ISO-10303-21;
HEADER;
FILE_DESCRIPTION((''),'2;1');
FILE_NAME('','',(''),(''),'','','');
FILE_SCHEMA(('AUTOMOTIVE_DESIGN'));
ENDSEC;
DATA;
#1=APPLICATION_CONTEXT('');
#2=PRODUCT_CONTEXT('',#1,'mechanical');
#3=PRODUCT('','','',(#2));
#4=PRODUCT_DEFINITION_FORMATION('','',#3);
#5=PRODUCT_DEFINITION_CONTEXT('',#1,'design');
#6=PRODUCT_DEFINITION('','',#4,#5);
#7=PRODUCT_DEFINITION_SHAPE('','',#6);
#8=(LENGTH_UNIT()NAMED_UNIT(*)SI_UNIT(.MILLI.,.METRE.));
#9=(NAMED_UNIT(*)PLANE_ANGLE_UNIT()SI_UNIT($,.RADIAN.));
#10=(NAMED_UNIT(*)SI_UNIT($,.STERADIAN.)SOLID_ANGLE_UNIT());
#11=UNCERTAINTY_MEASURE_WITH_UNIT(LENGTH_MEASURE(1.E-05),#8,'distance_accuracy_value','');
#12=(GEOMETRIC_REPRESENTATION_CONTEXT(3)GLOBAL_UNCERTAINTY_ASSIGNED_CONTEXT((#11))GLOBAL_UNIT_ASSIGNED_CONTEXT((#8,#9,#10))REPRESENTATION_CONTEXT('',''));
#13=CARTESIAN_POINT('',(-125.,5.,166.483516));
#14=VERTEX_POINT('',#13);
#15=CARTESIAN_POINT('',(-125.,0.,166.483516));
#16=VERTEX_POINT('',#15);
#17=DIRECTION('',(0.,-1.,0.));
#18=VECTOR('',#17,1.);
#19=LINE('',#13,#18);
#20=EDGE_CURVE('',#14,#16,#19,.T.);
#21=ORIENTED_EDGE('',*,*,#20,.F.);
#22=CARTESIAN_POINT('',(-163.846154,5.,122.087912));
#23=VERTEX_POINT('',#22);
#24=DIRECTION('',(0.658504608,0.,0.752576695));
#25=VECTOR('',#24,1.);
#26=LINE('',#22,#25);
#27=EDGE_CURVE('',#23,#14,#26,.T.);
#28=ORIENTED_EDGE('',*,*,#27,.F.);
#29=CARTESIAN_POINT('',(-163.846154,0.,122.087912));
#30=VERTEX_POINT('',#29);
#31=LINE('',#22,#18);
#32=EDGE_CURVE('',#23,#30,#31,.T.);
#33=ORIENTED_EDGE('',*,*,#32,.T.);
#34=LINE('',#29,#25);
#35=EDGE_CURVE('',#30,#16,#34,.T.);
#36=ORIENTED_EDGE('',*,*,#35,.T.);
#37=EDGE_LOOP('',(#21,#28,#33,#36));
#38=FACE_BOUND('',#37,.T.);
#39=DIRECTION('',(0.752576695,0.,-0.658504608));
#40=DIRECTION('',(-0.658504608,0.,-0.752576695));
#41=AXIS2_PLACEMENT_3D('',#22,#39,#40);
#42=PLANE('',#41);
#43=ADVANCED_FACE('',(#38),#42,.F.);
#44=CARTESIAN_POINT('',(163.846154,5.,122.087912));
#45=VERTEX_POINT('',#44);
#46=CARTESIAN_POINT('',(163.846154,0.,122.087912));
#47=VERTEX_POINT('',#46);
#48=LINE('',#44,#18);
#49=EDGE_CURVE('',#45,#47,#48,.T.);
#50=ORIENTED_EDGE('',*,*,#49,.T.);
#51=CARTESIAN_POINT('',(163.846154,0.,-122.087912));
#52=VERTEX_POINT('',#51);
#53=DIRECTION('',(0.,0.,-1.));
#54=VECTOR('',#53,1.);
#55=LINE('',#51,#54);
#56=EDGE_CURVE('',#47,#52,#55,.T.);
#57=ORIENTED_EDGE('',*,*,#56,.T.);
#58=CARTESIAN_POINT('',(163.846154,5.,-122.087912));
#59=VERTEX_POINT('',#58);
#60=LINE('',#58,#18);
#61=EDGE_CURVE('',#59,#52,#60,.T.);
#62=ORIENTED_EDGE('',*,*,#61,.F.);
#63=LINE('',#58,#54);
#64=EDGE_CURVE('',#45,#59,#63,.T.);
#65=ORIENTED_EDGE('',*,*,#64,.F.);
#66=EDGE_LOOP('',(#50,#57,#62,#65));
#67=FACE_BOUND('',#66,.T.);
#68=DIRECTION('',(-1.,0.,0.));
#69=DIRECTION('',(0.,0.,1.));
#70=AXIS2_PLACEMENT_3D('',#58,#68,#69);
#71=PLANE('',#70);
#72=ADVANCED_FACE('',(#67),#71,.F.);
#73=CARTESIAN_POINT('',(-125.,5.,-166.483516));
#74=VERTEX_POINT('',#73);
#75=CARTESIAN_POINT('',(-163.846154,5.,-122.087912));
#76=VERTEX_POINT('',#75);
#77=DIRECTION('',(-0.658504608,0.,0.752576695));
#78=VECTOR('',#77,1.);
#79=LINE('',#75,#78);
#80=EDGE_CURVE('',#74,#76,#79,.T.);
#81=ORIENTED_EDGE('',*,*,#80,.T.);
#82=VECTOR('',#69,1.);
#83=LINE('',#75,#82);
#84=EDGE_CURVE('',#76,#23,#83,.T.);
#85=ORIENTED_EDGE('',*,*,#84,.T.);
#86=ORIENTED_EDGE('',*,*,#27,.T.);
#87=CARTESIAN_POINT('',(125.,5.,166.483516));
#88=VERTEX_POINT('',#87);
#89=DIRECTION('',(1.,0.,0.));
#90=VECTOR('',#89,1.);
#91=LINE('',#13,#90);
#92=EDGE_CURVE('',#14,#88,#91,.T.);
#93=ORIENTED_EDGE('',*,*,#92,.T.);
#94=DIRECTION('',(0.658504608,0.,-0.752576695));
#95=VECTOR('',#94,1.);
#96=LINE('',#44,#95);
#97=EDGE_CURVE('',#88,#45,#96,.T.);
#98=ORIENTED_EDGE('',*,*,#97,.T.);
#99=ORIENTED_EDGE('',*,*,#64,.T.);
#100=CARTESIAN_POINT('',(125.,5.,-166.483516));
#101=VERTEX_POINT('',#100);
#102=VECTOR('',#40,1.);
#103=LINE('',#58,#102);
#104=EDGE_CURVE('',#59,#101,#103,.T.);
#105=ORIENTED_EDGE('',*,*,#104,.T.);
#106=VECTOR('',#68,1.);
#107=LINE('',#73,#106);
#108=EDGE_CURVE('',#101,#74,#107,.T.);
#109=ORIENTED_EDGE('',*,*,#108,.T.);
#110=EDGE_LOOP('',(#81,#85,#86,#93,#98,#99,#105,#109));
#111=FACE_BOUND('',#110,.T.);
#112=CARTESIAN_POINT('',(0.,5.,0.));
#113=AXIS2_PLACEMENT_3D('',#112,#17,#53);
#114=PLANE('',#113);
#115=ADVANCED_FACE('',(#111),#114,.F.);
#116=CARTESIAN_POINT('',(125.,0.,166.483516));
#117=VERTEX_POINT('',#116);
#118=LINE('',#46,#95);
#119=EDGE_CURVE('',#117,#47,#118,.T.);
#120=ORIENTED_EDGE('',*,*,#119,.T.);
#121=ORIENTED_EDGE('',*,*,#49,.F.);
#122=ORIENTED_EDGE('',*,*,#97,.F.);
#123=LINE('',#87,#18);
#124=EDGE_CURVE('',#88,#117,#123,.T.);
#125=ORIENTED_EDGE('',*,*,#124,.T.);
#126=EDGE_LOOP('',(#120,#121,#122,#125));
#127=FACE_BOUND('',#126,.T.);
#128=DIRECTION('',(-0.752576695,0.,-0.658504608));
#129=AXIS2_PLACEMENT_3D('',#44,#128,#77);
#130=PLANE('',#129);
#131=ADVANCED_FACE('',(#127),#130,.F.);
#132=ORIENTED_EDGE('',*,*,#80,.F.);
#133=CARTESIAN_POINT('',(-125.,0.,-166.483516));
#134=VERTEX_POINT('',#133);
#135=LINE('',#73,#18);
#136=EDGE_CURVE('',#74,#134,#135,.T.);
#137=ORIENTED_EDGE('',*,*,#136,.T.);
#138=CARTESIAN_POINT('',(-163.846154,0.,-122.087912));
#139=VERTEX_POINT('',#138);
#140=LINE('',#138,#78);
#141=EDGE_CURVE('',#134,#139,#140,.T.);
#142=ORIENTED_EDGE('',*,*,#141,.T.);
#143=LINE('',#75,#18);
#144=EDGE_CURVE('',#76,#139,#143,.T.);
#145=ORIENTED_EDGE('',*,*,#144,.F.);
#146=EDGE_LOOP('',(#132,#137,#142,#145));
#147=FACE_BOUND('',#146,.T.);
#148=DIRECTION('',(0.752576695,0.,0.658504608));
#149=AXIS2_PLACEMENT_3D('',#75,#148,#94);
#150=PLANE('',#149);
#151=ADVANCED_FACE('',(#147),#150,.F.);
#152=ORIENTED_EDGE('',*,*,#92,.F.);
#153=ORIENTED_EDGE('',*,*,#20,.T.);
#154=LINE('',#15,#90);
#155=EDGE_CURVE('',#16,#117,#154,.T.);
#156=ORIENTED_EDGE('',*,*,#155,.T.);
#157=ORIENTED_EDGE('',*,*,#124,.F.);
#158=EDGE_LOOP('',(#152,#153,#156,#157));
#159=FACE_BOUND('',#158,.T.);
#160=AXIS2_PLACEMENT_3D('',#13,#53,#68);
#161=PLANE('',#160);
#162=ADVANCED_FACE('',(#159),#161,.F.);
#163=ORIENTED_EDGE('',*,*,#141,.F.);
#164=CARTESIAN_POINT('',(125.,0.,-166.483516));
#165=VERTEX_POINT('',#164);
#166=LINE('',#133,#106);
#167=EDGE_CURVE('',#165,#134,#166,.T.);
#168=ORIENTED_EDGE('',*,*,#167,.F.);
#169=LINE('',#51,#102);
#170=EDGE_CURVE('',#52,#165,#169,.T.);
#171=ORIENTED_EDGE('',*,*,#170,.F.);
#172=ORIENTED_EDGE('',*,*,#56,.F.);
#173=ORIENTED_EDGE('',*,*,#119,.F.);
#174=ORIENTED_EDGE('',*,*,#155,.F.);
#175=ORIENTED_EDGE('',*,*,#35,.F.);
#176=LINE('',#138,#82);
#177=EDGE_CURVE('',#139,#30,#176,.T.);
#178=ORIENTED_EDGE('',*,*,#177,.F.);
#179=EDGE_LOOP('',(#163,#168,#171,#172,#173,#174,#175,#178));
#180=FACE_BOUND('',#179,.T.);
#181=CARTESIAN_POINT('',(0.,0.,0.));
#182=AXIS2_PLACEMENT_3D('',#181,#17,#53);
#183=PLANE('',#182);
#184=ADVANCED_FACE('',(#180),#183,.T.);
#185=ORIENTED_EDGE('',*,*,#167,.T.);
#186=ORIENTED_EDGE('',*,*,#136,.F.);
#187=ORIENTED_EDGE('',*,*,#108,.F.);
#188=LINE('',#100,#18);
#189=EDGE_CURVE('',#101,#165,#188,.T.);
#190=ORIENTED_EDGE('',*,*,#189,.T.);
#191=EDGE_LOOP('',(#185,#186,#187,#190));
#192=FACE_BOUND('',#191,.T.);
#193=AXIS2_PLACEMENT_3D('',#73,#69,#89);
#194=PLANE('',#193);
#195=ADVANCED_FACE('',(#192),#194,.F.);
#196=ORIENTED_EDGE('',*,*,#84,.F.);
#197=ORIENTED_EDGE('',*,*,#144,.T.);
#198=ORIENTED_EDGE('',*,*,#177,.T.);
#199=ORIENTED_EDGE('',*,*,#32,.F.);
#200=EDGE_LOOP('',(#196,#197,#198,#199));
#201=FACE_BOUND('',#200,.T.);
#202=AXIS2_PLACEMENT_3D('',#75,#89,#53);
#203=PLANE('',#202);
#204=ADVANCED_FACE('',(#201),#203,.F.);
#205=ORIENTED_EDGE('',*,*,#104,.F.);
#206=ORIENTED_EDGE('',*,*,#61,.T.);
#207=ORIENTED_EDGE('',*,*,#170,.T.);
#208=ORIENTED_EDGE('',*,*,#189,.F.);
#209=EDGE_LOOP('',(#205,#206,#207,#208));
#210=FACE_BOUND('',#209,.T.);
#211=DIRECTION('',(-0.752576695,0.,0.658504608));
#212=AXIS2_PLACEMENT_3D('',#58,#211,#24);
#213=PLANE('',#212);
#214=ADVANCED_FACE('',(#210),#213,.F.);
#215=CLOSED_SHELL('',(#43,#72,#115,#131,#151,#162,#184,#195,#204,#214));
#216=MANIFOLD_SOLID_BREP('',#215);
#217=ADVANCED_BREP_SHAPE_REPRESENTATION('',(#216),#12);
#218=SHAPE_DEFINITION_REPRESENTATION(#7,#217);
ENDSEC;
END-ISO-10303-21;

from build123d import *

# Parameters (mm, degrees)
BOSS_EXTRU_1_DEPTH = 5


with BuildPart() as part:
    # Esquisse1 → Boss.-Extru.1 (new body)
    with BuildSketch(Plane(origin=(0, 0, 0), x_dir=(1, 0, 0), z_dir=(0, 1, 0))):
        Polygon((-125, 166.483516484), (125, 166.483516484), (163.846153846, 122.087912088), (163.846153846, -122.087912088), (125, -166.483516484), (-125, -166.483516484), (-163.846153846, -122.087912088), (-163.846153846, 122.087912088), align=None)
    extrude(amount=BOSS_EXTRU_1_DEPTH)


solid = part.part
